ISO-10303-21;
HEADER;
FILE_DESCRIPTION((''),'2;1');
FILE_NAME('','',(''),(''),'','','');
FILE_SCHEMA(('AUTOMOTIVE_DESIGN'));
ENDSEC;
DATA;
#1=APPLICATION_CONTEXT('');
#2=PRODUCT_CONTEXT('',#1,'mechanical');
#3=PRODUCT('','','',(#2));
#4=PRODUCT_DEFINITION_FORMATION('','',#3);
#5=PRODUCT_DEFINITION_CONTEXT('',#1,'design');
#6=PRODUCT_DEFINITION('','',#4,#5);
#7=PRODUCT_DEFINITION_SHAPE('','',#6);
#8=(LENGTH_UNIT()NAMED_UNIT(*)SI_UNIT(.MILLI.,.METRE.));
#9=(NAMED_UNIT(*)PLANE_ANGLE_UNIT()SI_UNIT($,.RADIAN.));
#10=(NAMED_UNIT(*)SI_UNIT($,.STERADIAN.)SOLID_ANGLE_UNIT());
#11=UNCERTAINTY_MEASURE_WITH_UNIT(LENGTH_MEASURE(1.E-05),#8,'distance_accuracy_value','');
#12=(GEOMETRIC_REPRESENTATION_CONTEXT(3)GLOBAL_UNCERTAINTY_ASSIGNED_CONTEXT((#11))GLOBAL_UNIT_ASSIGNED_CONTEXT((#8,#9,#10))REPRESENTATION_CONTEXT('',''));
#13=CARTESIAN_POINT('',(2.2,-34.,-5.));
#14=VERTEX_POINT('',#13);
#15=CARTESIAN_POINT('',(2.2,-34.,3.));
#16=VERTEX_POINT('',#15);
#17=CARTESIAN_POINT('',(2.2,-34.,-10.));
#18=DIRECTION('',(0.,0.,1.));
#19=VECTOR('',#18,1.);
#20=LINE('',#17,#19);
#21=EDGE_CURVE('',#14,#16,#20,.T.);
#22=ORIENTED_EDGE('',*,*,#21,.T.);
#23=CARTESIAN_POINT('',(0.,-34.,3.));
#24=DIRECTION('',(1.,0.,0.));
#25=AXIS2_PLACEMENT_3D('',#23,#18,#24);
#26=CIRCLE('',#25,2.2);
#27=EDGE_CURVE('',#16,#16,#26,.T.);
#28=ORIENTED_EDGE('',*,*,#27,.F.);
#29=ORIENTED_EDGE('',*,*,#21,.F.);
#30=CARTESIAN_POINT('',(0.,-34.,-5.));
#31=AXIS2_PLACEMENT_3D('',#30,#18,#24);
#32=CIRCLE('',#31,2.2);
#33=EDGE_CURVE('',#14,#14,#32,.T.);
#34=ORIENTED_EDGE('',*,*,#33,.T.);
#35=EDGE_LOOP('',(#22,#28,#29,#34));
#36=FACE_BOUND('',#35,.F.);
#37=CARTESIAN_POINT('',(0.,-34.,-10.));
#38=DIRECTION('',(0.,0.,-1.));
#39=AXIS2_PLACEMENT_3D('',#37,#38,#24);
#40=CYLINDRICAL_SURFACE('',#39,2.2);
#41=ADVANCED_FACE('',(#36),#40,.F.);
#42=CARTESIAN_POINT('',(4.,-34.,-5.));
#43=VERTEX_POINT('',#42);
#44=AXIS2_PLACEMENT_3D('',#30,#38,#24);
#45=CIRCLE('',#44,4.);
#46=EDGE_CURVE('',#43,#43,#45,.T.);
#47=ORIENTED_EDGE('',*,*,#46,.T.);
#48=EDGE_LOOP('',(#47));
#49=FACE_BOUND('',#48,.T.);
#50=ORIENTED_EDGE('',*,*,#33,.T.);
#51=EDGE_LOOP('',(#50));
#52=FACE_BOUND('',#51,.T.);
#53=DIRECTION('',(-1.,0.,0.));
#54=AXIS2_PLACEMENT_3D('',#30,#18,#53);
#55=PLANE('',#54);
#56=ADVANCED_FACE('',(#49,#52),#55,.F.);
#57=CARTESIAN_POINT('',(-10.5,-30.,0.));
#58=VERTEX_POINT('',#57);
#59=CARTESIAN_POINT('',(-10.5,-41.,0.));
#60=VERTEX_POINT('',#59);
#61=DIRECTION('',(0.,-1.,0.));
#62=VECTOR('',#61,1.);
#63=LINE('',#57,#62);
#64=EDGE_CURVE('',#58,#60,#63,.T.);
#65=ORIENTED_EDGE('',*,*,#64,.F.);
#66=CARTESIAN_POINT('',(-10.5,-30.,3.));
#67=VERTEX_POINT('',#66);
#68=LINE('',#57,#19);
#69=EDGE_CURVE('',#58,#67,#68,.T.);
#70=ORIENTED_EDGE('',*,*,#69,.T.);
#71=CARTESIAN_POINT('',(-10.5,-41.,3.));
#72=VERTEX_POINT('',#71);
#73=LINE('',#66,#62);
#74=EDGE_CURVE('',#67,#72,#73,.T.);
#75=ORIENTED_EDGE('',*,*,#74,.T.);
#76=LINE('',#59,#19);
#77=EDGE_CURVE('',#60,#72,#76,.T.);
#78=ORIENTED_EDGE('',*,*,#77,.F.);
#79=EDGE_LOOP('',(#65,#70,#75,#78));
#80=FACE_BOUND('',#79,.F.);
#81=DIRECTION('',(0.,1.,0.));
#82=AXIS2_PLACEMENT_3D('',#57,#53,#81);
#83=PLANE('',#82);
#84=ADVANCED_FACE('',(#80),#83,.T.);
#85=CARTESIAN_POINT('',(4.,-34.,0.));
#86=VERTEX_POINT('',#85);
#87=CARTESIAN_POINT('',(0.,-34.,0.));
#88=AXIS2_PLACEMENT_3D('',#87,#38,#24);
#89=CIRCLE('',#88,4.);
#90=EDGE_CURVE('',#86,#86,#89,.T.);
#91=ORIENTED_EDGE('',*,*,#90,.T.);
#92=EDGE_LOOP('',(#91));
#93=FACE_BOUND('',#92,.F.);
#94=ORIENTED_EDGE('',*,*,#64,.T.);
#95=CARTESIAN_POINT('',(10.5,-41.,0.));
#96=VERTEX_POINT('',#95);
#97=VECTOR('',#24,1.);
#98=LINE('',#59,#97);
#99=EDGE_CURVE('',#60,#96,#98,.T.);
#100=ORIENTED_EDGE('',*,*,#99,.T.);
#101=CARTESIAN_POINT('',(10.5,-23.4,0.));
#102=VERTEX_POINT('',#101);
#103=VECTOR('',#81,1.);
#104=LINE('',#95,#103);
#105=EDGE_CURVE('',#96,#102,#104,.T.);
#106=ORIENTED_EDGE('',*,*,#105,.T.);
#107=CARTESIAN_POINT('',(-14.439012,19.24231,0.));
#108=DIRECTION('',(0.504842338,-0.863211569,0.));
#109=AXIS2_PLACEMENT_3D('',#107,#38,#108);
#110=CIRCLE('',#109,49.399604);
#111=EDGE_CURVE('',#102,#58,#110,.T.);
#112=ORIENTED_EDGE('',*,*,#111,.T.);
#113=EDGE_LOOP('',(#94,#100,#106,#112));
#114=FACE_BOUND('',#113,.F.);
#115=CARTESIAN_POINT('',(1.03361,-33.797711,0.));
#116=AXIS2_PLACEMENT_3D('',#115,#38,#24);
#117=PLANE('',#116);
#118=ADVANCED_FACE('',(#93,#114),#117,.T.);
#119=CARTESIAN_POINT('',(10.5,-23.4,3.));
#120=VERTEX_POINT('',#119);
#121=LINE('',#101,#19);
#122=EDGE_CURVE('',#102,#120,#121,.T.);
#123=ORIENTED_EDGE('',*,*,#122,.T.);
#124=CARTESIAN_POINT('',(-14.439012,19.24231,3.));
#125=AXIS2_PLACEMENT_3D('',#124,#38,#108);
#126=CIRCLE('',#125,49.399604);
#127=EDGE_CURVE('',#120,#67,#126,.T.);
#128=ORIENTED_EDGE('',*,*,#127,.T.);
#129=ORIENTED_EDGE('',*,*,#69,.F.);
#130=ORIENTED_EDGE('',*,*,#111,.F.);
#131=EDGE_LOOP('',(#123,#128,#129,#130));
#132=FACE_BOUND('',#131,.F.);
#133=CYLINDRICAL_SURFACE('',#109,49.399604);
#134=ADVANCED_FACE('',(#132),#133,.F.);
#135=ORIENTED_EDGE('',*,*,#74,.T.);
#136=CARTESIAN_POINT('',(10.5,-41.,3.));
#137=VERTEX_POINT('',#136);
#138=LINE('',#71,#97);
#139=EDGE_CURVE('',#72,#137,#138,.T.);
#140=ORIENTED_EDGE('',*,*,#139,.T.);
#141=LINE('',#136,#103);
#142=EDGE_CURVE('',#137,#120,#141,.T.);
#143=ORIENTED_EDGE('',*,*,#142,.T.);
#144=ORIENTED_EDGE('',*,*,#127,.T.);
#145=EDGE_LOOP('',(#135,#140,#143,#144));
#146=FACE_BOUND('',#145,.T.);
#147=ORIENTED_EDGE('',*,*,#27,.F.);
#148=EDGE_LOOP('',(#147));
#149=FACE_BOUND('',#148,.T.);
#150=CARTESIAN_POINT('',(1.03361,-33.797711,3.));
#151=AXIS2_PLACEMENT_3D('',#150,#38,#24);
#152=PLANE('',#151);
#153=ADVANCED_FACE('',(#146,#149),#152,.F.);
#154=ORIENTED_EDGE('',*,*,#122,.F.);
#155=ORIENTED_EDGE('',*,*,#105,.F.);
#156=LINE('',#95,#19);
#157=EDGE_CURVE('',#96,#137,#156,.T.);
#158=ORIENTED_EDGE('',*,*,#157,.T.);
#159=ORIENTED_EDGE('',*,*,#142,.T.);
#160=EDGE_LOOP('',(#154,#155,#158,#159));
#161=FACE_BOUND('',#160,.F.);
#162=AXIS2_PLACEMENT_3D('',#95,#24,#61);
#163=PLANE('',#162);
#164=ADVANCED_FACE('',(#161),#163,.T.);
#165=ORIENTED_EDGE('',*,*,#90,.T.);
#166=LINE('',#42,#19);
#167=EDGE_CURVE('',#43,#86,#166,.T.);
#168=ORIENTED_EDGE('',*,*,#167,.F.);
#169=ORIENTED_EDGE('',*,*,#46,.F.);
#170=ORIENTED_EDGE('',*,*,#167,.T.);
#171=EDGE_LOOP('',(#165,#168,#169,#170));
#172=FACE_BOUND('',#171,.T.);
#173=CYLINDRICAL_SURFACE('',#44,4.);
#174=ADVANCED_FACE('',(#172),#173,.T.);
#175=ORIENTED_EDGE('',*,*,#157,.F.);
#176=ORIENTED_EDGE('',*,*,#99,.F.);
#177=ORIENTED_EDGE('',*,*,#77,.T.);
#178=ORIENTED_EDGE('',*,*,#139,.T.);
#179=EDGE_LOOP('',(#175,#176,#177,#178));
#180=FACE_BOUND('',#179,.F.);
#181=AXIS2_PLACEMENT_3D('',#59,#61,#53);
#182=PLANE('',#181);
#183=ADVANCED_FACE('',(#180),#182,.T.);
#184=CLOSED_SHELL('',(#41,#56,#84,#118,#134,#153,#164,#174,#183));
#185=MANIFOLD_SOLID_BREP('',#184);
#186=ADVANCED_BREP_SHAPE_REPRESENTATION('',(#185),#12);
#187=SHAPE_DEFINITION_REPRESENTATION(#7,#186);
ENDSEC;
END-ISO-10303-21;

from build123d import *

# Parameters (mm, degrees)
CYLINDER002_R     = 2.2
CYLINDER002_DEPTH = 20
PAD002_DEPTH      = 3
CYLINDER003_R     = 4
CYLINDER003_DEPTH = 5


with BuildPart() as hole001:
    # Cylinder002 → Cylinder002 (new body)
    with BuildSketch(Plane.XY.offset(-10)):
        Circle(CYLINDER002_R)
    extrude(amount=CYLINDER002_DEPTH)


with BuildPart() as body002:
    # Sketch003 → Pad002 (new body)
    with BuildSketch(Plane.XY):
        with BuildLine():
            Line((-10.5, -4), (-10.5, 7))
            Line((-10.5, 7), (10.5, 7))
            Line((10.5, 7), (10.5, -10.6))
            ThreePointArc((10.5, -10.6), (0.372304, -6.115398), (-10.5, -4))
        make_face()
    extrude(amount=PAD002_DEPTH)


with BuildPart() as pad_cut:
    # Cylinder003 → Cylinder003 (new body)
    with BuildSketch(Plane.XY.offset(-5)):
        Circle(CYLINDER003_R)
    extrude(amount=CYLINDER003_DEPTH)

    # Fusion001: union Body002
    add(body002.part)

    # Cut001: cut hole001
    add(hole001.part, mode=Mode.SUBTRACT)


with BuildPart() as pad_cut_mirror:
    # Part__Mirroring: instance of pad cut
    add(pad_cut.part.mirror(Plane(origin=(0, -17, 0), x_dir=(1, 0, 0), z_dir=(0, 1, 0))))


solid = pad_cut_mirror.part
